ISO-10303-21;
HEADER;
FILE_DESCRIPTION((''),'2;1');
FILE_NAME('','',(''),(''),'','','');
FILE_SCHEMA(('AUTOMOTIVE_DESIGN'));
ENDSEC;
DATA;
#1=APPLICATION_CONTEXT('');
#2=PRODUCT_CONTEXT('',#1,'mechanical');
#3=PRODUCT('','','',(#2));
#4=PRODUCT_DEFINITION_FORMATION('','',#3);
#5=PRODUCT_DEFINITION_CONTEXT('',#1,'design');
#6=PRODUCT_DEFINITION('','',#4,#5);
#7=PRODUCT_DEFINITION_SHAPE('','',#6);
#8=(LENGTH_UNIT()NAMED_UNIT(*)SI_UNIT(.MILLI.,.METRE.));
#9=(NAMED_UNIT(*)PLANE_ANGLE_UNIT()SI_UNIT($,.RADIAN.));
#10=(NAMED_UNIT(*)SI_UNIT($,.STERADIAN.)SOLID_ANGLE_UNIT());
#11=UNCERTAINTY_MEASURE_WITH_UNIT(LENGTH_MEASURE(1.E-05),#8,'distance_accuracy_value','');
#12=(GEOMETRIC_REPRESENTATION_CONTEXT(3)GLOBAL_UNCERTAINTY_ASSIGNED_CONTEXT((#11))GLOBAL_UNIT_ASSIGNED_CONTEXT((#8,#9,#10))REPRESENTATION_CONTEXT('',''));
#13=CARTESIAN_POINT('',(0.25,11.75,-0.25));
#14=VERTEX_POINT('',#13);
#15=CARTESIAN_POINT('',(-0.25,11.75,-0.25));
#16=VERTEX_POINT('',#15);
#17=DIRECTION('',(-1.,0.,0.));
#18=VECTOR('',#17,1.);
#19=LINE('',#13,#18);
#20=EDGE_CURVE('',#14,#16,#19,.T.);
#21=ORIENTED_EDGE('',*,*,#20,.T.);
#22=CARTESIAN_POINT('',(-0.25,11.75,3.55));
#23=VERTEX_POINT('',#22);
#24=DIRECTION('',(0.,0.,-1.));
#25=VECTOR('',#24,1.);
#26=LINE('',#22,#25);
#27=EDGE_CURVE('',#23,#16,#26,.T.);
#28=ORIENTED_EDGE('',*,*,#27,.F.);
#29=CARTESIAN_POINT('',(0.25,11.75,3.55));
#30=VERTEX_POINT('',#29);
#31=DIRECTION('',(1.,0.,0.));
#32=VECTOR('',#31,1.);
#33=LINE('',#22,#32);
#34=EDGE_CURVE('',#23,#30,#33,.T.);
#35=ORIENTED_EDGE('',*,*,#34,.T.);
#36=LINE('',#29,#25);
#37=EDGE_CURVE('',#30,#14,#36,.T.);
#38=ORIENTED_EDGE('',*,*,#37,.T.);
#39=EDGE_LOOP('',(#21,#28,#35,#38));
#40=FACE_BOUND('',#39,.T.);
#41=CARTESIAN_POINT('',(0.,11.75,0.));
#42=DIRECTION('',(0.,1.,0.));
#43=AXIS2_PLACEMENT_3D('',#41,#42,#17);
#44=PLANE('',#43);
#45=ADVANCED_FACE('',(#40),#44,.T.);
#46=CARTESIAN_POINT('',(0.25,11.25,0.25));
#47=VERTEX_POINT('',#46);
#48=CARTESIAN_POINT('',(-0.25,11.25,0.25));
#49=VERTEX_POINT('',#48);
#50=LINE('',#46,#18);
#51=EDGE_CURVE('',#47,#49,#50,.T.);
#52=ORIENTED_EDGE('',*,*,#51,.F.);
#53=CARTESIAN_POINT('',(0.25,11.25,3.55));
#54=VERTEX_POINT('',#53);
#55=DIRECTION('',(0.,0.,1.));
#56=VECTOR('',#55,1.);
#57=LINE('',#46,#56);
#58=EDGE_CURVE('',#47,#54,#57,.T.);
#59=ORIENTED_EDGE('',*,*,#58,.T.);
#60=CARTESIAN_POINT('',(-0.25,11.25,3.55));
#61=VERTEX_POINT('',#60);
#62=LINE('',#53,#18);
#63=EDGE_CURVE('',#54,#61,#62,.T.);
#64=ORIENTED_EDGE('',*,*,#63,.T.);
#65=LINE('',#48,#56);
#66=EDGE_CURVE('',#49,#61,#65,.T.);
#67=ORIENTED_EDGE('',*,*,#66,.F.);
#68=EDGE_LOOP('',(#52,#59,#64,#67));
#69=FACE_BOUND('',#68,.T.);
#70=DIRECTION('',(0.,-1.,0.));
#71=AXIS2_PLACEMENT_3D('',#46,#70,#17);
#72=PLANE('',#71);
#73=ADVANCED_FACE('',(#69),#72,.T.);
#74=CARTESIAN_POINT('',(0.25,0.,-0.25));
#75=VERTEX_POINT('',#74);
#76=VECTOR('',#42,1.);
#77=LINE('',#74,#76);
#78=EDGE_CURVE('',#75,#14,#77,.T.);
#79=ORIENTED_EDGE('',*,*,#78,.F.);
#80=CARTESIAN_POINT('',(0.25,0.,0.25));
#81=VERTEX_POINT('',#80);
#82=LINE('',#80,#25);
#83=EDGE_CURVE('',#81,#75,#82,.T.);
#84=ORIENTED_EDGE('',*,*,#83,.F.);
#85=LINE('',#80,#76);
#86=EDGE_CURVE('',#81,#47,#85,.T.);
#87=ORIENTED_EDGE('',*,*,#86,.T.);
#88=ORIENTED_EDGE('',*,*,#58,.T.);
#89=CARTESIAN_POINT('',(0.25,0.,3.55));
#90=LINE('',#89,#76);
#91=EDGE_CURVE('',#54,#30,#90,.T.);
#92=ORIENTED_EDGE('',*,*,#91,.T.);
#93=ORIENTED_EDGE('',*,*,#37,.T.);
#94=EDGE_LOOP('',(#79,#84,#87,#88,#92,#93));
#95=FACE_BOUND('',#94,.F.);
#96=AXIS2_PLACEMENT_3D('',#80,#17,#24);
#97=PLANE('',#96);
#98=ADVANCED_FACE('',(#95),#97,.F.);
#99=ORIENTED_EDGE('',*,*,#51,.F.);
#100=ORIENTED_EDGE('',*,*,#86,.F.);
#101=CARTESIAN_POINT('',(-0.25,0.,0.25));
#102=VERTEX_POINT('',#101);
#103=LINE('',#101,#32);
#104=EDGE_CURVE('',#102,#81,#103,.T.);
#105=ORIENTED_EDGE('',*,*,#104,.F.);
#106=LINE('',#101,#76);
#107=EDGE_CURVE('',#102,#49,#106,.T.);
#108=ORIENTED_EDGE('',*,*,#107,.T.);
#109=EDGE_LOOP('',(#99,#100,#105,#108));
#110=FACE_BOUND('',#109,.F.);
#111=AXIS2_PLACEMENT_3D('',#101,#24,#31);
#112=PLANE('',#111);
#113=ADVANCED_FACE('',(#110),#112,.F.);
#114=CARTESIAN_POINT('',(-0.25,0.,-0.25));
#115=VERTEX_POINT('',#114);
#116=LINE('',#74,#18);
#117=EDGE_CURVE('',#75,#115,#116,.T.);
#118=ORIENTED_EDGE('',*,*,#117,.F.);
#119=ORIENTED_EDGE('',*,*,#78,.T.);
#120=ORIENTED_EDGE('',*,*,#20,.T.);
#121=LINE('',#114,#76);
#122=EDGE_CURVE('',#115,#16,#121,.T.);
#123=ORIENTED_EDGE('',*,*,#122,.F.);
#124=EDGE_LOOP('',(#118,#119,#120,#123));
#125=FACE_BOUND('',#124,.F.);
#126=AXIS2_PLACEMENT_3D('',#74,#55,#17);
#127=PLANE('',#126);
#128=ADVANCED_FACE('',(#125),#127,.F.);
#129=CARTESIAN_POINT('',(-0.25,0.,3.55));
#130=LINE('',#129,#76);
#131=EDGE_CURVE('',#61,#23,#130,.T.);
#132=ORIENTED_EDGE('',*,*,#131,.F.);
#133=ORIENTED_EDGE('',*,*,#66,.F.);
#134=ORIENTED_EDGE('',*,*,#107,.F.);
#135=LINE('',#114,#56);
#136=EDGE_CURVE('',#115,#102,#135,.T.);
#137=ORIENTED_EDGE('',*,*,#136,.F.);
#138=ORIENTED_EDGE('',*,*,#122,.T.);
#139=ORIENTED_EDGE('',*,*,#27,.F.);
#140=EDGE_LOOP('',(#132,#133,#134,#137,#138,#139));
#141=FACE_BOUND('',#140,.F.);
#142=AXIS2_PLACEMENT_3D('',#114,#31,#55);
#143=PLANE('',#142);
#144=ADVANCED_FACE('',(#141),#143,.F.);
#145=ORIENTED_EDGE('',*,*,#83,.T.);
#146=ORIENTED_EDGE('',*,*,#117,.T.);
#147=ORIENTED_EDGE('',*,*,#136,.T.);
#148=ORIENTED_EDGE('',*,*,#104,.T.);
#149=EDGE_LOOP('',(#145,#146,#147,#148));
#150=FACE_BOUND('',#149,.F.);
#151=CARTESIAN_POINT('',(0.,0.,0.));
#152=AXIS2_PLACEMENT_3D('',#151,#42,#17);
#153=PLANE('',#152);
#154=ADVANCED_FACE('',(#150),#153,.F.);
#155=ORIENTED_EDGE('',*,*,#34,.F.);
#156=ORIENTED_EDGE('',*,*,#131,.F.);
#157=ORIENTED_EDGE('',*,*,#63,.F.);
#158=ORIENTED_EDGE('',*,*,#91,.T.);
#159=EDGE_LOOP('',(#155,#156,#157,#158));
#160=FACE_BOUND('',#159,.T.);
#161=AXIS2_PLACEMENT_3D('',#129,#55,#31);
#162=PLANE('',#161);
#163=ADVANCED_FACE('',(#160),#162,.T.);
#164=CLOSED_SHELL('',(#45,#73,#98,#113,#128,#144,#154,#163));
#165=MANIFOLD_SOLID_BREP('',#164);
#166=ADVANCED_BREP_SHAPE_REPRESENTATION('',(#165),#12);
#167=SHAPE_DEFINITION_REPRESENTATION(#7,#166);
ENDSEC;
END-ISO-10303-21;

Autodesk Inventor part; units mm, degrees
ref_plane "YZ Plane" through (0, 0, 0) normal (1, 0, 0) x (0, 1, 0)
ref_plane "XZ Plane" through (0, 0, 0) normal (0, 1, 0) x (-1, 0, 0)
ref_plane "XY Plane" through (0, 0, 0) normal (0, 0, 1) x (1, 0, 0)
sketch "Sketch1" plane through (0, 0, 0) normal (0, 1, 0) x (-1, 0, 0)
  line L0 (0.25, 0.25) -> (-0.25, 0.25)
  line L1 (-0.25, 0.25) -> (-0.25, -0.25)
  line L2 (-0.25, -0.25) -> (0.25, -0.25)
  line L3 (0.25, -0.25) -> (0.25, 0.25)
  line L4 (0.25, 0.25) -> (-0.25, -0.25) construction
  line L5 (-0.25, 0.25) -> (0.25, -0.25) construction
  point P0 (0, 0)
  dimension "d0" = 0.5
  dimension "d1" = 0.5
extrude "Extrusion1" add sketch "Sketch1" along normal blind 11.75
sketch "Sketch2" plane through (-0.25, 0, 0.25) normal (0, 0, 1) x (1, 0, 0)
  line L0 (0, 0) -> (0.5, 0) projected
  line L1 (0.5, 0) -> (0.5, 11.75) projected
  line L2 (0, 11.75) -> (0.5, 11.75) projected
  line L3 (0, 0) -> (0, 11.75) projected
  line L4 (0, 11.75) -> (0.5, 11.75)
  line L5 (0.5, 11.75) -> (0.5, 11.25)
  line L6 (0.5, 11.25) -> (0, 11.25)
  line L7 (0, 11.25) -> (0, 11.75)
  point P0 (0.25, 0)
  point P1 (0, 11.25)
  dimension "d10" = 0.5
extrude "Extrusion2" add sketch "Sketch2" along normal blind 3.3 contours L3 L2 L1 L6
properties part number "switch-wire"
